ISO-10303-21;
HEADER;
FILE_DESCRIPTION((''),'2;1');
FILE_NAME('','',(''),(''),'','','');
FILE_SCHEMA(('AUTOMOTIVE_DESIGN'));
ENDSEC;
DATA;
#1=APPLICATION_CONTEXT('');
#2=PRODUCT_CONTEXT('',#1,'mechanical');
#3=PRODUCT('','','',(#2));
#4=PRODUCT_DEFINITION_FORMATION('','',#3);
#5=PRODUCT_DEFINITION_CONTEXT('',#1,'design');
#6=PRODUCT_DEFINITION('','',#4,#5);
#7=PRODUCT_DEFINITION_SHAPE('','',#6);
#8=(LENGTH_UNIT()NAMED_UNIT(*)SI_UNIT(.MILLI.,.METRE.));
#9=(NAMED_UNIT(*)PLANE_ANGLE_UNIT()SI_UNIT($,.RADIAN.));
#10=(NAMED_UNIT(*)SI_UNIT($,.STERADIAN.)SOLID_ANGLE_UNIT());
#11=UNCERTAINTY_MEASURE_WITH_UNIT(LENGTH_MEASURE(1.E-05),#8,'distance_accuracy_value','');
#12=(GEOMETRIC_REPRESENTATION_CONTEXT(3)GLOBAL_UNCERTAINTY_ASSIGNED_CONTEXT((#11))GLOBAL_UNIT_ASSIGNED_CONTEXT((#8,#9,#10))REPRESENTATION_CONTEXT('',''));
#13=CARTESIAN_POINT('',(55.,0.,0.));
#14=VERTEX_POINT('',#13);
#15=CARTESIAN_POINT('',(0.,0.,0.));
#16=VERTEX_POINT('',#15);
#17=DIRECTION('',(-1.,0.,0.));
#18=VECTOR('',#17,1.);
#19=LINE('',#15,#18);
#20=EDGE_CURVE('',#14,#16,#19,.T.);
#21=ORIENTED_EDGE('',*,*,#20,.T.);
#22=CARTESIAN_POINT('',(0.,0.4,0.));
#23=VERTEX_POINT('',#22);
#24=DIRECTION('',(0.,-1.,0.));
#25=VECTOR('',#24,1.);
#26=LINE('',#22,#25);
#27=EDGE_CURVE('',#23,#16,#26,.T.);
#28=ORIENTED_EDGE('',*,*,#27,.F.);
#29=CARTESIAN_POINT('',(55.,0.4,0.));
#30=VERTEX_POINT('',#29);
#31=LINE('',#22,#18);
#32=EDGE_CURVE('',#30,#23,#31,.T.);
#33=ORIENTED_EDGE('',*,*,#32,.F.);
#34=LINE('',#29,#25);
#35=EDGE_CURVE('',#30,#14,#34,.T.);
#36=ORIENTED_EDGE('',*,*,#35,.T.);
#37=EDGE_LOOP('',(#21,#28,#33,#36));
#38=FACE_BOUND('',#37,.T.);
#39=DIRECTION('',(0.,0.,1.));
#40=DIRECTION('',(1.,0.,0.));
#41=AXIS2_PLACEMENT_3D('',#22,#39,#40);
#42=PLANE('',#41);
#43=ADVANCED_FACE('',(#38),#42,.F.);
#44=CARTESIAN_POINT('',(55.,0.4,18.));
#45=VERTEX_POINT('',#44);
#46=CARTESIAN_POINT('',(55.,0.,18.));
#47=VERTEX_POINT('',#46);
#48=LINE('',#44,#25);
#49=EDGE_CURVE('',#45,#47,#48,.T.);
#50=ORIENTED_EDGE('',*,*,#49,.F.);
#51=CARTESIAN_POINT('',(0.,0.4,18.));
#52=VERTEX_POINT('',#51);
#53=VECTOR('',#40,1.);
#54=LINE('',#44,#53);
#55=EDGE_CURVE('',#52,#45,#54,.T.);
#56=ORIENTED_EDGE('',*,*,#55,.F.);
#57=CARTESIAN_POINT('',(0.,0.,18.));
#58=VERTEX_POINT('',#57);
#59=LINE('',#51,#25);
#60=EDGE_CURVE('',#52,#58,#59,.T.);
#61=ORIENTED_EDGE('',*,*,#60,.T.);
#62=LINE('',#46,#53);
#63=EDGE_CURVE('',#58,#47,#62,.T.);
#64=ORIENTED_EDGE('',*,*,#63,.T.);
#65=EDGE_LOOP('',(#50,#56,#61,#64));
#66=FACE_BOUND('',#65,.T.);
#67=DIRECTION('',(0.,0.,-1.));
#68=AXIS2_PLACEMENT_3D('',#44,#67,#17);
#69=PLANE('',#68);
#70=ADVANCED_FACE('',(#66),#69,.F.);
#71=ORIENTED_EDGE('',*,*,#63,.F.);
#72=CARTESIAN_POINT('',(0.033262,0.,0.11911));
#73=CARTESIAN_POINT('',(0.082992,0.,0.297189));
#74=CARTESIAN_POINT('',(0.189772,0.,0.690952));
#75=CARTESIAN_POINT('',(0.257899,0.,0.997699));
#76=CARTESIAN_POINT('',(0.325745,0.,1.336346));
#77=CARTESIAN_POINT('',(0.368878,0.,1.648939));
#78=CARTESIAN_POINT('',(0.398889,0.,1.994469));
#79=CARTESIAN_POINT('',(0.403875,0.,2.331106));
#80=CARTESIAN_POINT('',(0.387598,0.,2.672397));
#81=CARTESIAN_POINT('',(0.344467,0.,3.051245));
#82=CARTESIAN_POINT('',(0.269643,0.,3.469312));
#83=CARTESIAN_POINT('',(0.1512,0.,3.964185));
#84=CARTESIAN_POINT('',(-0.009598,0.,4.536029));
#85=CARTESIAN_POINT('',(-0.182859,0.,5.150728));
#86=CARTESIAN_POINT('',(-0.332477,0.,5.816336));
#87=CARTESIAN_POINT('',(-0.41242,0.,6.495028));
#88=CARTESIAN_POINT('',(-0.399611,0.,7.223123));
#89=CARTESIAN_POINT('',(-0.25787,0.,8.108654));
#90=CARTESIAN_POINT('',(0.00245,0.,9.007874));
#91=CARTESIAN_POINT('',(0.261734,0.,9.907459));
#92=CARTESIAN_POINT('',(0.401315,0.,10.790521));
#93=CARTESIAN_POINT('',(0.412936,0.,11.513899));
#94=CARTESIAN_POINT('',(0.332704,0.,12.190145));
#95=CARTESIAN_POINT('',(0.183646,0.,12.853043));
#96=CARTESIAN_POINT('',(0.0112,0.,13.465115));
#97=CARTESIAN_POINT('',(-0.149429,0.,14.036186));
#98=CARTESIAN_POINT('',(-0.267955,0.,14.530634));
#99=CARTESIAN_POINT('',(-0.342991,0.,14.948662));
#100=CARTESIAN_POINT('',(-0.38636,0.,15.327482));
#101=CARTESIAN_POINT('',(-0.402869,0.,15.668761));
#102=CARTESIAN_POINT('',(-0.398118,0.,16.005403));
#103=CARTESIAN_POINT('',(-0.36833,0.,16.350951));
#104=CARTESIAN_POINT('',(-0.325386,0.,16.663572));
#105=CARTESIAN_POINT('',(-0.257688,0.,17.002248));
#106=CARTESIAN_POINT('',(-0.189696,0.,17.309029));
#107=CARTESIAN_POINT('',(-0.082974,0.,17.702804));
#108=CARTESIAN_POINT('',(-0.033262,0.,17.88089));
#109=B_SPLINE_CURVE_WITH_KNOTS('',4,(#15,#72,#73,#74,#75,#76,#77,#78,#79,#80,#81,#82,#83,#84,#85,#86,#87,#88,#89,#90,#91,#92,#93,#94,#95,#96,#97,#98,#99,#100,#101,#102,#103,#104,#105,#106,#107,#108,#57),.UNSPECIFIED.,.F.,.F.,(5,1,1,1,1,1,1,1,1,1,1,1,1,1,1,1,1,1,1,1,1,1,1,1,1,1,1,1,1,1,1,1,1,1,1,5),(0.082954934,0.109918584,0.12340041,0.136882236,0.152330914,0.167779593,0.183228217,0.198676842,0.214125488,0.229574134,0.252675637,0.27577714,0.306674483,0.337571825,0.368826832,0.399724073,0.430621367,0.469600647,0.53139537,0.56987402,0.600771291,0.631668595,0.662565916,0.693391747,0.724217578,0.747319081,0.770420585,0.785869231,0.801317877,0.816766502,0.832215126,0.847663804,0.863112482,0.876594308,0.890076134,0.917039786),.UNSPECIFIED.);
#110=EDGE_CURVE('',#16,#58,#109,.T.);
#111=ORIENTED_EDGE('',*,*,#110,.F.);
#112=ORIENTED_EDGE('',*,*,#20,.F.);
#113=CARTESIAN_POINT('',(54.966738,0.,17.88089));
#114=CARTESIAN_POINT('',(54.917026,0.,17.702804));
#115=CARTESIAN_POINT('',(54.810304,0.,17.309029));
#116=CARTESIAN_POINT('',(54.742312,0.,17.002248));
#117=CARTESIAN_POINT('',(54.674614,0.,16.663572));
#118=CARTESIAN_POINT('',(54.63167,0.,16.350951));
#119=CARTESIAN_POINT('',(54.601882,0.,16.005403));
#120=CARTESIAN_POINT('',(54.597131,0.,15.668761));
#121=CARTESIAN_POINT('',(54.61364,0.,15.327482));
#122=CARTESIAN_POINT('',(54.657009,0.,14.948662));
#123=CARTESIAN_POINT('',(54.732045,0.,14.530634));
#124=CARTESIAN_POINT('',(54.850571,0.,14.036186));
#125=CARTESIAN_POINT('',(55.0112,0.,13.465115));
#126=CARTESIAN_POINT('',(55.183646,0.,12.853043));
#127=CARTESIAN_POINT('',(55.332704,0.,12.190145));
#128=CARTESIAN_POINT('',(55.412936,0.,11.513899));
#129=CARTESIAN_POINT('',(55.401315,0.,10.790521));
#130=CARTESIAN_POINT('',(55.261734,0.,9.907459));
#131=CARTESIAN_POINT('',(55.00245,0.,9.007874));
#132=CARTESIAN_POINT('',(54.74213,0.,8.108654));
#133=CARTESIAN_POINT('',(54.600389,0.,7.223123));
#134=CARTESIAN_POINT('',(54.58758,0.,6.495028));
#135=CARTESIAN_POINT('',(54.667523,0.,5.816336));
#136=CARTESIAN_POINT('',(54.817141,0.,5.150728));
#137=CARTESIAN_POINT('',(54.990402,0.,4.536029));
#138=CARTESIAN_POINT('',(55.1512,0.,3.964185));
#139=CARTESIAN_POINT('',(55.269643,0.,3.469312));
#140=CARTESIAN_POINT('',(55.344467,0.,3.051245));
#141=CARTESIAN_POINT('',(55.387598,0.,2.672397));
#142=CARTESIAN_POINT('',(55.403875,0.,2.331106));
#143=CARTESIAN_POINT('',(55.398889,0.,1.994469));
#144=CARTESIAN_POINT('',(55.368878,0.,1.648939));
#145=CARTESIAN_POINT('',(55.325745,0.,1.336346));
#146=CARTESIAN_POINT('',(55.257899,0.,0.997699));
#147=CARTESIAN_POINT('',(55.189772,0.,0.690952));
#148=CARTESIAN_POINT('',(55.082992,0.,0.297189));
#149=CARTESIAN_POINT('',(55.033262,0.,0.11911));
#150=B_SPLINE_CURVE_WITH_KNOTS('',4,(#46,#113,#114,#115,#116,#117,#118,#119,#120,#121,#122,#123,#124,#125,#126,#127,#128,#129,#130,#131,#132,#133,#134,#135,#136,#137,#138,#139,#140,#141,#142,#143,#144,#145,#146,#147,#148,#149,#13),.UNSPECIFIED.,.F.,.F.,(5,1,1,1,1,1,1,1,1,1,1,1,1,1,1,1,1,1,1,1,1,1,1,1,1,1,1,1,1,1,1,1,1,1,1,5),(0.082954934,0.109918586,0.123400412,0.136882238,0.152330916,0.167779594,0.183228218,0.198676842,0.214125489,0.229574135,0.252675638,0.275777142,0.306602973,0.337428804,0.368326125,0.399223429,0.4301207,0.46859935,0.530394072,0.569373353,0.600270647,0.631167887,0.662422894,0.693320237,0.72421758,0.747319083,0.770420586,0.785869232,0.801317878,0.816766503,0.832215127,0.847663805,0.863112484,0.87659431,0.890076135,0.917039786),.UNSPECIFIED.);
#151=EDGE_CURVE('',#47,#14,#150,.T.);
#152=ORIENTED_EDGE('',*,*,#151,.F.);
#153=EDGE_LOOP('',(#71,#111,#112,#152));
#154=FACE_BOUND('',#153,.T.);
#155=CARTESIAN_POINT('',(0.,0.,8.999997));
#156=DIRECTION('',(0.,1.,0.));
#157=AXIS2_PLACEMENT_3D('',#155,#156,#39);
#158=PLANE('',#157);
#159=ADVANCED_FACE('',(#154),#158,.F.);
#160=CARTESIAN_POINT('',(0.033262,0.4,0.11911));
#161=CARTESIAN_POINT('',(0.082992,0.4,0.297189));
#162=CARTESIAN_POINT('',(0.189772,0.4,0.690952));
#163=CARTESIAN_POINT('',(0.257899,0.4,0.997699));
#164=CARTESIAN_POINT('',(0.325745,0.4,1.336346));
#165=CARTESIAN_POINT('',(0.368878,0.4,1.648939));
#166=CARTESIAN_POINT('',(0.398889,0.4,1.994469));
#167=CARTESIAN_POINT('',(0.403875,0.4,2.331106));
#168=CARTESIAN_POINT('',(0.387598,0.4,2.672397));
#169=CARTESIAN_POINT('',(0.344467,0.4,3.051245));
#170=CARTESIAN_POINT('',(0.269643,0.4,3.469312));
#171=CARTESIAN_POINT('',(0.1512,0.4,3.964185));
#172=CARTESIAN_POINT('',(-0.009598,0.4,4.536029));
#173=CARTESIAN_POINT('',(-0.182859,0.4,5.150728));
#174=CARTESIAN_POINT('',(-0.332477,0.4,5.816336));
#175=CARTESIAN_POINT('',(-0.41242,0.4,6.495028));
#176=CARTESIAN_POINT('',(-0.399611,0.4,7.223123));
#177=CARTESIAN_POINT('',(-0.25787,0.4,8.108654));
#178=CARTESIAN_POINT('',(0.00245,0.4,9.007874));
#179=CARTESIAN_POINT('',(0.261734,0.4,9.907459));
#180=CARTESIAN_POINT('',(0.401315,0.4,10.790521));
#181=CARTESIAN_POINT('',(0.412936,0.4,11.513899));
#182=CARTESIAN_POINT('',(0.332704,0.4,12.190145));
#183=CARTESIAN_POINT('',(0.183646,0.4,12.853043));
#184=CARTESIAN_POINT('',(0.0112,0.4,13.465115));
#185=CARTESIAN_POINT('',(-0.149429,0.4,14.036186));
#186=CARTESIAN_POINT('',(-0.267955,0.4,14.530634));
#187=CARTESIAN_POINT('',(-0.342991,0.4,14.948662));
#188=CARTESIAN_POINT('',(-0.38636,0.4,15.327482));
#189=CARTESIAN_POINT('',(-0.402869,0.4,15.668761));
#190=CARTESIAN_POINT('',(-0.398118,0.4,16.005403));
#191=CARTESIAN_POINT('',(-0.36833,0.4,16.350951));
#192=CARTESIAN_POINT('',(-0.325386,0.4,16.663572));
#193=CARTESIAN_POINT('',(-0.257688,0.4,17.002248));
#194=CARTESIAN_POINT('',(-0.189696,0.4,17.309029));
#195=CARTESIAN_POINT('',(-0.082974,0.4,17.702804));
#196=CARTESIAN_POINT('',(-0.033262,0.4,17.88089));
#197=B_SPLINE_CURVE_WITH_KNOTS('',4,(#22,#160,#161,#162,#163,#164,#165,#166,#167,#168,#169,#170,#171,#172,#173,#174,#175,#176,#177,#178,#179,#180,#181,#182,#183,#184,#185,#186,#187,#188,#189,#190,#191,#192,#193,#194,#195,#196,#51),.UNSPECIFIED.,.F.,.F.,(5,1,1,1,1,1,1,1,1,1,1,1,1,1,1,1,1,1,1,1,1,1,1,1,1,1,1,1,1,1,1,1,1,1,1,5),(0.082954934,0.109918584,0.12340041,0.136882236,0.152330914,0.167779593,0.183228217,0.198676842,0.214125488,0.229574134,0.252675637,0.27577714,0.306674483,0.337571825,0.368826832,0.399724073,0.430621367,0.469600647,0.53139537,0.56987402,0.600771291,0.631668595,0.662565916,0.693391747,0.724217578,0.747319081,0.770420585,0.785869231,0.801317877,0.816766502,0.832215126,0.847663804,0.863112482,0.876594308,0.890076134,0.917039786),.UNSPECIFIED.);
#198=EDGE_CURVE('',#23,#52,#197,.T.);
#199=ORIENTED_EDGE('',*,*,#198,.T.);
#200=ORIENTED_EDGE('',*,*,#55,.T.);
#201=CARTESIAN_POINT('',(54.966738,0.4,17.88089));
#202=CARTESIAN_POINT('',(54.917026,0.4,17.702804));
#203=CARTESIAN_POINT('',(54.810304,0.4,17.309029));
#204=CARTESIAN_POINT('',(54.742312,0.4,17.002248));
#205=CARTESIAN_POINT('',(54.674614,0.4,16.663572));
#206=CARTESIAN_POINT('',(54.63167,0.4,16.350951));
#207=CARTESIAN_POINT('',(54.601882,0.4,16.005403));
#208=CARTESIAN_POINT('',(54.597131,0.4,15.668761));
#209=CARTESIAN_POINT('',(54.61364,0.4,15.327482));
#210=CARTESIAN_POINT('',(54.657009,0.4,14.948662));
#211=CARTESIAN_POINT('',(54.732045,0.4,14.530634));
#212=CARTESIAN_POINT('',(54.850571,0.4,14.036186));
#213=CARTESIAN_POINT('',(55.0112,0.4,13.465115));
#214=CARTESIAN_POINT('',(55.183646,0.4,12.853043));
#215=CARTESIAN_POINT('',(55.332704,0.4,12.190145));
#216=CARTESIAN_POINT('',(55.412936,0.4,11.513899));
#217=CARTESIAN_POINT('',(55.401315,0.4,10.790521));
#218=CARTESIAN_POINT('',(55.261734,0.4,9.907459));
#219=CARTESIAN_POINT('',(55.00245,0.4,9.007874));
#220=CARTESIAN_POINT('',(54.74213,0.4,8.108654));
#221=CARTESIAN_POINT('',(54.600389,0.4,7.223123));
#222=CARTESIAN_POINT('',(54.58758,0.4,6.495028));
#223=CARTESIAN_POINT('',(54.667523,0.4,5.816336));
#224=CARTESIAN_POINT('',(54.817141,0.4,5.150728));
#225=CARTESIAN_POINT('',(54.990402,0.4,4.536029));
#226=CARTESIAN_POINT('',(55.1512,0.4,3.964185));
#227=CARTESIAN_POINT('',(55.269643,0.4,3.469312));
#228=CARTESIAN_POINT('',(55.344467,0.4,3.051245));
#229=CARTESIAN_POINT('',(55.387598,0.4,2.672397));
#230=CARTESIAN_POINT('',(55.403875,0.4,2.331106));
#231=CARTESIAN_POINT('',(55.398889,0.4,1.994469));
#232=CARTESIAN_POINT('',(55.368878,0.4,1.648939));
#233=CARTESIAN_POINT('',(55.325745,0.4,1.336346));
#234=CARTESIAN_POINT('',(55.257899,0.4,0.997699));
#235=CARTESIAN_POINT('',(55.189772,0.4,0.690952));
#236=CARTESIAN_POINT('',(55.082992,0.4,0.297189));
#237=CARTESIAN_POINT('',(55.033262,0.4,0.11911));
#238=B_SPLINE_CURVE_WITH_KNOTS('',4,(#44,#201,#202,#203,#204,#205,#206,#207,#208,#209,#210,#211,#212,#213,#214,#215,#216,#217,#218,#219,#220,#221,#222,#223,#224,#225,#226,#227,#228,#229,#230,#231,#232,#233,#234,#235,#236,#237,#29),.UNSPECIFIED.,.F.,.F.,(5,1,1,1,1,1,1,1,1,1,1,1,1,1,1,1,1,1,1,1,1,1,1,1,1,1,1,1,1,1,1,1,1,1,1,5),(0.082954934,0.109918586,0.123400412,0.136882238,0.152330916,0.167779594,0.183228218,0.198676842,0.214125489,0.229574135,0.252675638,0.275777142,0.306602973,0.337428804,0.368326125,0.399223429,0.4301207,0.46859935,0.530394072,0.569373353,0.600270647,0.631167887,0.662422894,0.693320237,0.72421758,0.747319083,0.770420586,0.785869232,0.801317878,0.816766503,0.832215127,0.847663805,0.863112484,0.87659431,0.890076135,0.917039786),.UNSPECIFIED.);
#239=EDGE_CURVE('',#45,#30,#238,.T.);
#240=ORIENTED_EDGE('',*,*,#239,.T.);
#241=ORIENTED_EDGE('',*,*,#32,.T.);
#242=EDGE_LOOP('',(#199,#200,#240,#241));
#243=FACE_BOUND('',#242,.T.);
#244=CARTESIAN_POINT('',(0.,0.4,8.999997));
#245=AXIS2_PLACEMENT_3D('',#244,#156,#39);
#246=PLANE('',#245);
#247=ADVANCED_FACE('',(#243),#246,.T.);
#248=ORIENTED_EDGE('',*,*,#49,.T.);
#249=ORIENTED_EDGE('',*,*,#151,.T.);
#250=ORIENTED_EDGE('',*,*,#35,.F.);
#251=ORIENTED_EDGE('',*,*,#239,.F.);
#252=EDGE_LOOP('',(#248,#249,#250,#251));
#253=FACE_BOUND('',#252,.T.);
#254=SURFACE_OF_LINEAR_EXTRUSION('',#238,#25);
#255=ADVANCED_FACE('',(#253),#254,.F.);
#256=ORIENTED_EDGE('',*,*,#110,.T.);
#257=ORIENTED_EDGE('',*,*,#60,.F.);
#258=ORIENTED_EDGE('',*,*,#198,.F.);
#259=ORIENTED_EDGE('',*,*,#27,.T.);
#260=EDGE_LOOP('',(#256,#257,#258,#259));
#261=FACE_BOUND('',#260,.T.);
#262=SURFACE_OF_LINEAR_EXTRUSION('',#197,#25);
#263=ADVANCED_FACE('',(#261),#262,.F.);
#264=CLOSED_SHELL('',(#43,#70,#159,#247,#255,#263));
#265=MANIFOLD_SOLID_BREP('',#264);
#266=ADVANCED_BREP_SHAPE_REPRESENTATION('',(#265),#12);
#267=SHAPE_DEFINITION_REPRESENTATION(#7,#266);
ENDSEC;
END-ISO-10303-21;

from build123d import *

# Parameters (mm, degrees)
BOSS_EXTRUDE1_DEPTH = 0.4


with BuildPart() as part:
    # Sketch1 → Boss-Extrude1 (new body)
    with BuildSketch(Plane(origin=(0, 0, 0), x_dir=(1, 0, 0), z_dir=(0, 1, 0))):
        with BuildLine():
            Line((0, 0), (55, 0))
            add(Edge.make_bspline(
                [(55, 0), (55.033262254, -0.11910992), (55.082991541, -0.297189427), (55.189772351, -0.69095155), (55.257898591, -0.997698602), (55.325744816, -1.336345897), (55.368877768, -1.648938844), (55.398888986, -1.994468715), (55.403875393, -2.331105954), (55.387597755, -2.672397061), (55.344466555, -3.051244756), (55.269643322, -3.469311628), (55.151200158, -3.964185261), (54.990401734, -4.536028524), (54.817141498, -5.150727725), (54.667523026, -5.816335608), (54.587580107, -6.495028261), (54.600388862, -7.223123132), (54.742130419, -8.108654486), (55.002450481, -9.007873921), (55.261734401, -9.907459056), (55.401315475, -10.790521339), (55.412936347, -11.513899459), (55.332704186, -12.19014491), (55.183645522, -12.853043473), (55.01119991, -13.465115176), (54.850570507, -14.036186493), (54.732045155, -14.53063447), (54.657008519, -14.948661692), (54.613640075, -15.327481905), (54.59713117, -15.668761216), (54.601881624, -16.005402716), (54.63167005, -16.350951124), (54.674614398, -16.66357237), (54.742311673, -17.002247722), (54.810304458, -17.309028986), (54.917025725, -17.702804036), (54.966737826, -17.88089003), (55, -18)],
                knots=[0.082954934, 0.082954934, 0.082954934, 0.082954934, 0.082954934, 0.109918584, 0.12340041, 0.136882236, 0.152330914, 0.167779593, 0.183228217, 0.198676842, 0.214125488, 0.229574134, 0.252675637, 0.27577714, 0.306674483, 0.337571825, 0.368826832, 0.399724073, 0.430621367, 0.469600647, 0.53139537, 0.56987402, 0.600771291, 0.631668595, 0.662565916, 0.693391747, 0.724217578, 0.747319081, 0.770420585, 0.785869231, 0.801317877, 0.816766502, 0.832215126, 0.847663804, 0.863112482, 0.876594308, 0.890076134, 0.917039786, 0.917039786, 0.917039786, 0.917039786, 0.917039786], degree=4))
            Line((55, -18), (0, -18))
            add(Edge.make_bspline(
                [(0, 0), (0.033262254, -0.11910992), (0.082991541, -0.297189427), (0.189772351, -0.69095155), (0.257898591, -0.997698602), (0.325744816, -1.336345897), (0.368877768, -1.648938844), (0.398888986, -1.994468715), (0.403875393, -2.331105954), (0.387597755, -2.672397061), (0.344466555, -3.051244756), (0.269643322, -3.469311628), (0.151200158, -3.964185261), (-0.009598266, -4.536028524), (-0.182858502, -5.150727725), (-0.332476974, -5.816335608), (-0.412419893, -6.495028261), (-0.399611138, -7.223123132), (-0.257869581, -8.108654486), (0.002450481, -9.007873921), (0.261734401, -9.907459056), (0.401315475, -10.790521339), (0.412936347, -11.513899459), (0.332704186, -12.19014491), (0.183645522, -12.853043473), (0.01119991, -13.465115176), (-0.149429493, -14.036186493), (-0.267954845, -14.53063447), (-0.342991481, -14.948661692), (-0.386359925, -15.327481905), (-0.40286883, -15.668761216), (-0.398118376, -16.005402716), (-0.36832995, -16.350951124), (-0.325385602, -16.66357237), (-0.257688327, -17.002247722), (-0.189695542, -17.309028986), (-0.082974275, -17.702804036), (-0.033262174, -17.88089003), (0, -18)],
                knots=[0.082954934, 0.082954934, 0.082954934, 0.082954934, 0.082954934, 0.109918584, 0.12340041, 0.136882236, 0.152330914, 0.167779593, 0.183228217, 0.198676842, 0.214125488, 0.229574134, 0.252675637, 0.27577714, 0.306674483, 0.337571825, 0.368826832, 0.399724073, 0.430621367, 0.469600647, 0.53139537, 0.56987402, 0.600771291, 0.631668595, 0.662565916, 0.693391747, 0.724217578, 0.747319081, 0.770420585, 0.785869231, 0.801317877, 0.816766502, 0.832215126, 0.847663804, 0.863112482, 0.876594308, 0.890076134, 0.917039786, 0.917039786, 0.917039786, 0.917039786, 0.917039786], degree=4))
        make_face()
    extrude(amount=BOSS_EXTRUDE1_DEPTH)


solid = part.part
